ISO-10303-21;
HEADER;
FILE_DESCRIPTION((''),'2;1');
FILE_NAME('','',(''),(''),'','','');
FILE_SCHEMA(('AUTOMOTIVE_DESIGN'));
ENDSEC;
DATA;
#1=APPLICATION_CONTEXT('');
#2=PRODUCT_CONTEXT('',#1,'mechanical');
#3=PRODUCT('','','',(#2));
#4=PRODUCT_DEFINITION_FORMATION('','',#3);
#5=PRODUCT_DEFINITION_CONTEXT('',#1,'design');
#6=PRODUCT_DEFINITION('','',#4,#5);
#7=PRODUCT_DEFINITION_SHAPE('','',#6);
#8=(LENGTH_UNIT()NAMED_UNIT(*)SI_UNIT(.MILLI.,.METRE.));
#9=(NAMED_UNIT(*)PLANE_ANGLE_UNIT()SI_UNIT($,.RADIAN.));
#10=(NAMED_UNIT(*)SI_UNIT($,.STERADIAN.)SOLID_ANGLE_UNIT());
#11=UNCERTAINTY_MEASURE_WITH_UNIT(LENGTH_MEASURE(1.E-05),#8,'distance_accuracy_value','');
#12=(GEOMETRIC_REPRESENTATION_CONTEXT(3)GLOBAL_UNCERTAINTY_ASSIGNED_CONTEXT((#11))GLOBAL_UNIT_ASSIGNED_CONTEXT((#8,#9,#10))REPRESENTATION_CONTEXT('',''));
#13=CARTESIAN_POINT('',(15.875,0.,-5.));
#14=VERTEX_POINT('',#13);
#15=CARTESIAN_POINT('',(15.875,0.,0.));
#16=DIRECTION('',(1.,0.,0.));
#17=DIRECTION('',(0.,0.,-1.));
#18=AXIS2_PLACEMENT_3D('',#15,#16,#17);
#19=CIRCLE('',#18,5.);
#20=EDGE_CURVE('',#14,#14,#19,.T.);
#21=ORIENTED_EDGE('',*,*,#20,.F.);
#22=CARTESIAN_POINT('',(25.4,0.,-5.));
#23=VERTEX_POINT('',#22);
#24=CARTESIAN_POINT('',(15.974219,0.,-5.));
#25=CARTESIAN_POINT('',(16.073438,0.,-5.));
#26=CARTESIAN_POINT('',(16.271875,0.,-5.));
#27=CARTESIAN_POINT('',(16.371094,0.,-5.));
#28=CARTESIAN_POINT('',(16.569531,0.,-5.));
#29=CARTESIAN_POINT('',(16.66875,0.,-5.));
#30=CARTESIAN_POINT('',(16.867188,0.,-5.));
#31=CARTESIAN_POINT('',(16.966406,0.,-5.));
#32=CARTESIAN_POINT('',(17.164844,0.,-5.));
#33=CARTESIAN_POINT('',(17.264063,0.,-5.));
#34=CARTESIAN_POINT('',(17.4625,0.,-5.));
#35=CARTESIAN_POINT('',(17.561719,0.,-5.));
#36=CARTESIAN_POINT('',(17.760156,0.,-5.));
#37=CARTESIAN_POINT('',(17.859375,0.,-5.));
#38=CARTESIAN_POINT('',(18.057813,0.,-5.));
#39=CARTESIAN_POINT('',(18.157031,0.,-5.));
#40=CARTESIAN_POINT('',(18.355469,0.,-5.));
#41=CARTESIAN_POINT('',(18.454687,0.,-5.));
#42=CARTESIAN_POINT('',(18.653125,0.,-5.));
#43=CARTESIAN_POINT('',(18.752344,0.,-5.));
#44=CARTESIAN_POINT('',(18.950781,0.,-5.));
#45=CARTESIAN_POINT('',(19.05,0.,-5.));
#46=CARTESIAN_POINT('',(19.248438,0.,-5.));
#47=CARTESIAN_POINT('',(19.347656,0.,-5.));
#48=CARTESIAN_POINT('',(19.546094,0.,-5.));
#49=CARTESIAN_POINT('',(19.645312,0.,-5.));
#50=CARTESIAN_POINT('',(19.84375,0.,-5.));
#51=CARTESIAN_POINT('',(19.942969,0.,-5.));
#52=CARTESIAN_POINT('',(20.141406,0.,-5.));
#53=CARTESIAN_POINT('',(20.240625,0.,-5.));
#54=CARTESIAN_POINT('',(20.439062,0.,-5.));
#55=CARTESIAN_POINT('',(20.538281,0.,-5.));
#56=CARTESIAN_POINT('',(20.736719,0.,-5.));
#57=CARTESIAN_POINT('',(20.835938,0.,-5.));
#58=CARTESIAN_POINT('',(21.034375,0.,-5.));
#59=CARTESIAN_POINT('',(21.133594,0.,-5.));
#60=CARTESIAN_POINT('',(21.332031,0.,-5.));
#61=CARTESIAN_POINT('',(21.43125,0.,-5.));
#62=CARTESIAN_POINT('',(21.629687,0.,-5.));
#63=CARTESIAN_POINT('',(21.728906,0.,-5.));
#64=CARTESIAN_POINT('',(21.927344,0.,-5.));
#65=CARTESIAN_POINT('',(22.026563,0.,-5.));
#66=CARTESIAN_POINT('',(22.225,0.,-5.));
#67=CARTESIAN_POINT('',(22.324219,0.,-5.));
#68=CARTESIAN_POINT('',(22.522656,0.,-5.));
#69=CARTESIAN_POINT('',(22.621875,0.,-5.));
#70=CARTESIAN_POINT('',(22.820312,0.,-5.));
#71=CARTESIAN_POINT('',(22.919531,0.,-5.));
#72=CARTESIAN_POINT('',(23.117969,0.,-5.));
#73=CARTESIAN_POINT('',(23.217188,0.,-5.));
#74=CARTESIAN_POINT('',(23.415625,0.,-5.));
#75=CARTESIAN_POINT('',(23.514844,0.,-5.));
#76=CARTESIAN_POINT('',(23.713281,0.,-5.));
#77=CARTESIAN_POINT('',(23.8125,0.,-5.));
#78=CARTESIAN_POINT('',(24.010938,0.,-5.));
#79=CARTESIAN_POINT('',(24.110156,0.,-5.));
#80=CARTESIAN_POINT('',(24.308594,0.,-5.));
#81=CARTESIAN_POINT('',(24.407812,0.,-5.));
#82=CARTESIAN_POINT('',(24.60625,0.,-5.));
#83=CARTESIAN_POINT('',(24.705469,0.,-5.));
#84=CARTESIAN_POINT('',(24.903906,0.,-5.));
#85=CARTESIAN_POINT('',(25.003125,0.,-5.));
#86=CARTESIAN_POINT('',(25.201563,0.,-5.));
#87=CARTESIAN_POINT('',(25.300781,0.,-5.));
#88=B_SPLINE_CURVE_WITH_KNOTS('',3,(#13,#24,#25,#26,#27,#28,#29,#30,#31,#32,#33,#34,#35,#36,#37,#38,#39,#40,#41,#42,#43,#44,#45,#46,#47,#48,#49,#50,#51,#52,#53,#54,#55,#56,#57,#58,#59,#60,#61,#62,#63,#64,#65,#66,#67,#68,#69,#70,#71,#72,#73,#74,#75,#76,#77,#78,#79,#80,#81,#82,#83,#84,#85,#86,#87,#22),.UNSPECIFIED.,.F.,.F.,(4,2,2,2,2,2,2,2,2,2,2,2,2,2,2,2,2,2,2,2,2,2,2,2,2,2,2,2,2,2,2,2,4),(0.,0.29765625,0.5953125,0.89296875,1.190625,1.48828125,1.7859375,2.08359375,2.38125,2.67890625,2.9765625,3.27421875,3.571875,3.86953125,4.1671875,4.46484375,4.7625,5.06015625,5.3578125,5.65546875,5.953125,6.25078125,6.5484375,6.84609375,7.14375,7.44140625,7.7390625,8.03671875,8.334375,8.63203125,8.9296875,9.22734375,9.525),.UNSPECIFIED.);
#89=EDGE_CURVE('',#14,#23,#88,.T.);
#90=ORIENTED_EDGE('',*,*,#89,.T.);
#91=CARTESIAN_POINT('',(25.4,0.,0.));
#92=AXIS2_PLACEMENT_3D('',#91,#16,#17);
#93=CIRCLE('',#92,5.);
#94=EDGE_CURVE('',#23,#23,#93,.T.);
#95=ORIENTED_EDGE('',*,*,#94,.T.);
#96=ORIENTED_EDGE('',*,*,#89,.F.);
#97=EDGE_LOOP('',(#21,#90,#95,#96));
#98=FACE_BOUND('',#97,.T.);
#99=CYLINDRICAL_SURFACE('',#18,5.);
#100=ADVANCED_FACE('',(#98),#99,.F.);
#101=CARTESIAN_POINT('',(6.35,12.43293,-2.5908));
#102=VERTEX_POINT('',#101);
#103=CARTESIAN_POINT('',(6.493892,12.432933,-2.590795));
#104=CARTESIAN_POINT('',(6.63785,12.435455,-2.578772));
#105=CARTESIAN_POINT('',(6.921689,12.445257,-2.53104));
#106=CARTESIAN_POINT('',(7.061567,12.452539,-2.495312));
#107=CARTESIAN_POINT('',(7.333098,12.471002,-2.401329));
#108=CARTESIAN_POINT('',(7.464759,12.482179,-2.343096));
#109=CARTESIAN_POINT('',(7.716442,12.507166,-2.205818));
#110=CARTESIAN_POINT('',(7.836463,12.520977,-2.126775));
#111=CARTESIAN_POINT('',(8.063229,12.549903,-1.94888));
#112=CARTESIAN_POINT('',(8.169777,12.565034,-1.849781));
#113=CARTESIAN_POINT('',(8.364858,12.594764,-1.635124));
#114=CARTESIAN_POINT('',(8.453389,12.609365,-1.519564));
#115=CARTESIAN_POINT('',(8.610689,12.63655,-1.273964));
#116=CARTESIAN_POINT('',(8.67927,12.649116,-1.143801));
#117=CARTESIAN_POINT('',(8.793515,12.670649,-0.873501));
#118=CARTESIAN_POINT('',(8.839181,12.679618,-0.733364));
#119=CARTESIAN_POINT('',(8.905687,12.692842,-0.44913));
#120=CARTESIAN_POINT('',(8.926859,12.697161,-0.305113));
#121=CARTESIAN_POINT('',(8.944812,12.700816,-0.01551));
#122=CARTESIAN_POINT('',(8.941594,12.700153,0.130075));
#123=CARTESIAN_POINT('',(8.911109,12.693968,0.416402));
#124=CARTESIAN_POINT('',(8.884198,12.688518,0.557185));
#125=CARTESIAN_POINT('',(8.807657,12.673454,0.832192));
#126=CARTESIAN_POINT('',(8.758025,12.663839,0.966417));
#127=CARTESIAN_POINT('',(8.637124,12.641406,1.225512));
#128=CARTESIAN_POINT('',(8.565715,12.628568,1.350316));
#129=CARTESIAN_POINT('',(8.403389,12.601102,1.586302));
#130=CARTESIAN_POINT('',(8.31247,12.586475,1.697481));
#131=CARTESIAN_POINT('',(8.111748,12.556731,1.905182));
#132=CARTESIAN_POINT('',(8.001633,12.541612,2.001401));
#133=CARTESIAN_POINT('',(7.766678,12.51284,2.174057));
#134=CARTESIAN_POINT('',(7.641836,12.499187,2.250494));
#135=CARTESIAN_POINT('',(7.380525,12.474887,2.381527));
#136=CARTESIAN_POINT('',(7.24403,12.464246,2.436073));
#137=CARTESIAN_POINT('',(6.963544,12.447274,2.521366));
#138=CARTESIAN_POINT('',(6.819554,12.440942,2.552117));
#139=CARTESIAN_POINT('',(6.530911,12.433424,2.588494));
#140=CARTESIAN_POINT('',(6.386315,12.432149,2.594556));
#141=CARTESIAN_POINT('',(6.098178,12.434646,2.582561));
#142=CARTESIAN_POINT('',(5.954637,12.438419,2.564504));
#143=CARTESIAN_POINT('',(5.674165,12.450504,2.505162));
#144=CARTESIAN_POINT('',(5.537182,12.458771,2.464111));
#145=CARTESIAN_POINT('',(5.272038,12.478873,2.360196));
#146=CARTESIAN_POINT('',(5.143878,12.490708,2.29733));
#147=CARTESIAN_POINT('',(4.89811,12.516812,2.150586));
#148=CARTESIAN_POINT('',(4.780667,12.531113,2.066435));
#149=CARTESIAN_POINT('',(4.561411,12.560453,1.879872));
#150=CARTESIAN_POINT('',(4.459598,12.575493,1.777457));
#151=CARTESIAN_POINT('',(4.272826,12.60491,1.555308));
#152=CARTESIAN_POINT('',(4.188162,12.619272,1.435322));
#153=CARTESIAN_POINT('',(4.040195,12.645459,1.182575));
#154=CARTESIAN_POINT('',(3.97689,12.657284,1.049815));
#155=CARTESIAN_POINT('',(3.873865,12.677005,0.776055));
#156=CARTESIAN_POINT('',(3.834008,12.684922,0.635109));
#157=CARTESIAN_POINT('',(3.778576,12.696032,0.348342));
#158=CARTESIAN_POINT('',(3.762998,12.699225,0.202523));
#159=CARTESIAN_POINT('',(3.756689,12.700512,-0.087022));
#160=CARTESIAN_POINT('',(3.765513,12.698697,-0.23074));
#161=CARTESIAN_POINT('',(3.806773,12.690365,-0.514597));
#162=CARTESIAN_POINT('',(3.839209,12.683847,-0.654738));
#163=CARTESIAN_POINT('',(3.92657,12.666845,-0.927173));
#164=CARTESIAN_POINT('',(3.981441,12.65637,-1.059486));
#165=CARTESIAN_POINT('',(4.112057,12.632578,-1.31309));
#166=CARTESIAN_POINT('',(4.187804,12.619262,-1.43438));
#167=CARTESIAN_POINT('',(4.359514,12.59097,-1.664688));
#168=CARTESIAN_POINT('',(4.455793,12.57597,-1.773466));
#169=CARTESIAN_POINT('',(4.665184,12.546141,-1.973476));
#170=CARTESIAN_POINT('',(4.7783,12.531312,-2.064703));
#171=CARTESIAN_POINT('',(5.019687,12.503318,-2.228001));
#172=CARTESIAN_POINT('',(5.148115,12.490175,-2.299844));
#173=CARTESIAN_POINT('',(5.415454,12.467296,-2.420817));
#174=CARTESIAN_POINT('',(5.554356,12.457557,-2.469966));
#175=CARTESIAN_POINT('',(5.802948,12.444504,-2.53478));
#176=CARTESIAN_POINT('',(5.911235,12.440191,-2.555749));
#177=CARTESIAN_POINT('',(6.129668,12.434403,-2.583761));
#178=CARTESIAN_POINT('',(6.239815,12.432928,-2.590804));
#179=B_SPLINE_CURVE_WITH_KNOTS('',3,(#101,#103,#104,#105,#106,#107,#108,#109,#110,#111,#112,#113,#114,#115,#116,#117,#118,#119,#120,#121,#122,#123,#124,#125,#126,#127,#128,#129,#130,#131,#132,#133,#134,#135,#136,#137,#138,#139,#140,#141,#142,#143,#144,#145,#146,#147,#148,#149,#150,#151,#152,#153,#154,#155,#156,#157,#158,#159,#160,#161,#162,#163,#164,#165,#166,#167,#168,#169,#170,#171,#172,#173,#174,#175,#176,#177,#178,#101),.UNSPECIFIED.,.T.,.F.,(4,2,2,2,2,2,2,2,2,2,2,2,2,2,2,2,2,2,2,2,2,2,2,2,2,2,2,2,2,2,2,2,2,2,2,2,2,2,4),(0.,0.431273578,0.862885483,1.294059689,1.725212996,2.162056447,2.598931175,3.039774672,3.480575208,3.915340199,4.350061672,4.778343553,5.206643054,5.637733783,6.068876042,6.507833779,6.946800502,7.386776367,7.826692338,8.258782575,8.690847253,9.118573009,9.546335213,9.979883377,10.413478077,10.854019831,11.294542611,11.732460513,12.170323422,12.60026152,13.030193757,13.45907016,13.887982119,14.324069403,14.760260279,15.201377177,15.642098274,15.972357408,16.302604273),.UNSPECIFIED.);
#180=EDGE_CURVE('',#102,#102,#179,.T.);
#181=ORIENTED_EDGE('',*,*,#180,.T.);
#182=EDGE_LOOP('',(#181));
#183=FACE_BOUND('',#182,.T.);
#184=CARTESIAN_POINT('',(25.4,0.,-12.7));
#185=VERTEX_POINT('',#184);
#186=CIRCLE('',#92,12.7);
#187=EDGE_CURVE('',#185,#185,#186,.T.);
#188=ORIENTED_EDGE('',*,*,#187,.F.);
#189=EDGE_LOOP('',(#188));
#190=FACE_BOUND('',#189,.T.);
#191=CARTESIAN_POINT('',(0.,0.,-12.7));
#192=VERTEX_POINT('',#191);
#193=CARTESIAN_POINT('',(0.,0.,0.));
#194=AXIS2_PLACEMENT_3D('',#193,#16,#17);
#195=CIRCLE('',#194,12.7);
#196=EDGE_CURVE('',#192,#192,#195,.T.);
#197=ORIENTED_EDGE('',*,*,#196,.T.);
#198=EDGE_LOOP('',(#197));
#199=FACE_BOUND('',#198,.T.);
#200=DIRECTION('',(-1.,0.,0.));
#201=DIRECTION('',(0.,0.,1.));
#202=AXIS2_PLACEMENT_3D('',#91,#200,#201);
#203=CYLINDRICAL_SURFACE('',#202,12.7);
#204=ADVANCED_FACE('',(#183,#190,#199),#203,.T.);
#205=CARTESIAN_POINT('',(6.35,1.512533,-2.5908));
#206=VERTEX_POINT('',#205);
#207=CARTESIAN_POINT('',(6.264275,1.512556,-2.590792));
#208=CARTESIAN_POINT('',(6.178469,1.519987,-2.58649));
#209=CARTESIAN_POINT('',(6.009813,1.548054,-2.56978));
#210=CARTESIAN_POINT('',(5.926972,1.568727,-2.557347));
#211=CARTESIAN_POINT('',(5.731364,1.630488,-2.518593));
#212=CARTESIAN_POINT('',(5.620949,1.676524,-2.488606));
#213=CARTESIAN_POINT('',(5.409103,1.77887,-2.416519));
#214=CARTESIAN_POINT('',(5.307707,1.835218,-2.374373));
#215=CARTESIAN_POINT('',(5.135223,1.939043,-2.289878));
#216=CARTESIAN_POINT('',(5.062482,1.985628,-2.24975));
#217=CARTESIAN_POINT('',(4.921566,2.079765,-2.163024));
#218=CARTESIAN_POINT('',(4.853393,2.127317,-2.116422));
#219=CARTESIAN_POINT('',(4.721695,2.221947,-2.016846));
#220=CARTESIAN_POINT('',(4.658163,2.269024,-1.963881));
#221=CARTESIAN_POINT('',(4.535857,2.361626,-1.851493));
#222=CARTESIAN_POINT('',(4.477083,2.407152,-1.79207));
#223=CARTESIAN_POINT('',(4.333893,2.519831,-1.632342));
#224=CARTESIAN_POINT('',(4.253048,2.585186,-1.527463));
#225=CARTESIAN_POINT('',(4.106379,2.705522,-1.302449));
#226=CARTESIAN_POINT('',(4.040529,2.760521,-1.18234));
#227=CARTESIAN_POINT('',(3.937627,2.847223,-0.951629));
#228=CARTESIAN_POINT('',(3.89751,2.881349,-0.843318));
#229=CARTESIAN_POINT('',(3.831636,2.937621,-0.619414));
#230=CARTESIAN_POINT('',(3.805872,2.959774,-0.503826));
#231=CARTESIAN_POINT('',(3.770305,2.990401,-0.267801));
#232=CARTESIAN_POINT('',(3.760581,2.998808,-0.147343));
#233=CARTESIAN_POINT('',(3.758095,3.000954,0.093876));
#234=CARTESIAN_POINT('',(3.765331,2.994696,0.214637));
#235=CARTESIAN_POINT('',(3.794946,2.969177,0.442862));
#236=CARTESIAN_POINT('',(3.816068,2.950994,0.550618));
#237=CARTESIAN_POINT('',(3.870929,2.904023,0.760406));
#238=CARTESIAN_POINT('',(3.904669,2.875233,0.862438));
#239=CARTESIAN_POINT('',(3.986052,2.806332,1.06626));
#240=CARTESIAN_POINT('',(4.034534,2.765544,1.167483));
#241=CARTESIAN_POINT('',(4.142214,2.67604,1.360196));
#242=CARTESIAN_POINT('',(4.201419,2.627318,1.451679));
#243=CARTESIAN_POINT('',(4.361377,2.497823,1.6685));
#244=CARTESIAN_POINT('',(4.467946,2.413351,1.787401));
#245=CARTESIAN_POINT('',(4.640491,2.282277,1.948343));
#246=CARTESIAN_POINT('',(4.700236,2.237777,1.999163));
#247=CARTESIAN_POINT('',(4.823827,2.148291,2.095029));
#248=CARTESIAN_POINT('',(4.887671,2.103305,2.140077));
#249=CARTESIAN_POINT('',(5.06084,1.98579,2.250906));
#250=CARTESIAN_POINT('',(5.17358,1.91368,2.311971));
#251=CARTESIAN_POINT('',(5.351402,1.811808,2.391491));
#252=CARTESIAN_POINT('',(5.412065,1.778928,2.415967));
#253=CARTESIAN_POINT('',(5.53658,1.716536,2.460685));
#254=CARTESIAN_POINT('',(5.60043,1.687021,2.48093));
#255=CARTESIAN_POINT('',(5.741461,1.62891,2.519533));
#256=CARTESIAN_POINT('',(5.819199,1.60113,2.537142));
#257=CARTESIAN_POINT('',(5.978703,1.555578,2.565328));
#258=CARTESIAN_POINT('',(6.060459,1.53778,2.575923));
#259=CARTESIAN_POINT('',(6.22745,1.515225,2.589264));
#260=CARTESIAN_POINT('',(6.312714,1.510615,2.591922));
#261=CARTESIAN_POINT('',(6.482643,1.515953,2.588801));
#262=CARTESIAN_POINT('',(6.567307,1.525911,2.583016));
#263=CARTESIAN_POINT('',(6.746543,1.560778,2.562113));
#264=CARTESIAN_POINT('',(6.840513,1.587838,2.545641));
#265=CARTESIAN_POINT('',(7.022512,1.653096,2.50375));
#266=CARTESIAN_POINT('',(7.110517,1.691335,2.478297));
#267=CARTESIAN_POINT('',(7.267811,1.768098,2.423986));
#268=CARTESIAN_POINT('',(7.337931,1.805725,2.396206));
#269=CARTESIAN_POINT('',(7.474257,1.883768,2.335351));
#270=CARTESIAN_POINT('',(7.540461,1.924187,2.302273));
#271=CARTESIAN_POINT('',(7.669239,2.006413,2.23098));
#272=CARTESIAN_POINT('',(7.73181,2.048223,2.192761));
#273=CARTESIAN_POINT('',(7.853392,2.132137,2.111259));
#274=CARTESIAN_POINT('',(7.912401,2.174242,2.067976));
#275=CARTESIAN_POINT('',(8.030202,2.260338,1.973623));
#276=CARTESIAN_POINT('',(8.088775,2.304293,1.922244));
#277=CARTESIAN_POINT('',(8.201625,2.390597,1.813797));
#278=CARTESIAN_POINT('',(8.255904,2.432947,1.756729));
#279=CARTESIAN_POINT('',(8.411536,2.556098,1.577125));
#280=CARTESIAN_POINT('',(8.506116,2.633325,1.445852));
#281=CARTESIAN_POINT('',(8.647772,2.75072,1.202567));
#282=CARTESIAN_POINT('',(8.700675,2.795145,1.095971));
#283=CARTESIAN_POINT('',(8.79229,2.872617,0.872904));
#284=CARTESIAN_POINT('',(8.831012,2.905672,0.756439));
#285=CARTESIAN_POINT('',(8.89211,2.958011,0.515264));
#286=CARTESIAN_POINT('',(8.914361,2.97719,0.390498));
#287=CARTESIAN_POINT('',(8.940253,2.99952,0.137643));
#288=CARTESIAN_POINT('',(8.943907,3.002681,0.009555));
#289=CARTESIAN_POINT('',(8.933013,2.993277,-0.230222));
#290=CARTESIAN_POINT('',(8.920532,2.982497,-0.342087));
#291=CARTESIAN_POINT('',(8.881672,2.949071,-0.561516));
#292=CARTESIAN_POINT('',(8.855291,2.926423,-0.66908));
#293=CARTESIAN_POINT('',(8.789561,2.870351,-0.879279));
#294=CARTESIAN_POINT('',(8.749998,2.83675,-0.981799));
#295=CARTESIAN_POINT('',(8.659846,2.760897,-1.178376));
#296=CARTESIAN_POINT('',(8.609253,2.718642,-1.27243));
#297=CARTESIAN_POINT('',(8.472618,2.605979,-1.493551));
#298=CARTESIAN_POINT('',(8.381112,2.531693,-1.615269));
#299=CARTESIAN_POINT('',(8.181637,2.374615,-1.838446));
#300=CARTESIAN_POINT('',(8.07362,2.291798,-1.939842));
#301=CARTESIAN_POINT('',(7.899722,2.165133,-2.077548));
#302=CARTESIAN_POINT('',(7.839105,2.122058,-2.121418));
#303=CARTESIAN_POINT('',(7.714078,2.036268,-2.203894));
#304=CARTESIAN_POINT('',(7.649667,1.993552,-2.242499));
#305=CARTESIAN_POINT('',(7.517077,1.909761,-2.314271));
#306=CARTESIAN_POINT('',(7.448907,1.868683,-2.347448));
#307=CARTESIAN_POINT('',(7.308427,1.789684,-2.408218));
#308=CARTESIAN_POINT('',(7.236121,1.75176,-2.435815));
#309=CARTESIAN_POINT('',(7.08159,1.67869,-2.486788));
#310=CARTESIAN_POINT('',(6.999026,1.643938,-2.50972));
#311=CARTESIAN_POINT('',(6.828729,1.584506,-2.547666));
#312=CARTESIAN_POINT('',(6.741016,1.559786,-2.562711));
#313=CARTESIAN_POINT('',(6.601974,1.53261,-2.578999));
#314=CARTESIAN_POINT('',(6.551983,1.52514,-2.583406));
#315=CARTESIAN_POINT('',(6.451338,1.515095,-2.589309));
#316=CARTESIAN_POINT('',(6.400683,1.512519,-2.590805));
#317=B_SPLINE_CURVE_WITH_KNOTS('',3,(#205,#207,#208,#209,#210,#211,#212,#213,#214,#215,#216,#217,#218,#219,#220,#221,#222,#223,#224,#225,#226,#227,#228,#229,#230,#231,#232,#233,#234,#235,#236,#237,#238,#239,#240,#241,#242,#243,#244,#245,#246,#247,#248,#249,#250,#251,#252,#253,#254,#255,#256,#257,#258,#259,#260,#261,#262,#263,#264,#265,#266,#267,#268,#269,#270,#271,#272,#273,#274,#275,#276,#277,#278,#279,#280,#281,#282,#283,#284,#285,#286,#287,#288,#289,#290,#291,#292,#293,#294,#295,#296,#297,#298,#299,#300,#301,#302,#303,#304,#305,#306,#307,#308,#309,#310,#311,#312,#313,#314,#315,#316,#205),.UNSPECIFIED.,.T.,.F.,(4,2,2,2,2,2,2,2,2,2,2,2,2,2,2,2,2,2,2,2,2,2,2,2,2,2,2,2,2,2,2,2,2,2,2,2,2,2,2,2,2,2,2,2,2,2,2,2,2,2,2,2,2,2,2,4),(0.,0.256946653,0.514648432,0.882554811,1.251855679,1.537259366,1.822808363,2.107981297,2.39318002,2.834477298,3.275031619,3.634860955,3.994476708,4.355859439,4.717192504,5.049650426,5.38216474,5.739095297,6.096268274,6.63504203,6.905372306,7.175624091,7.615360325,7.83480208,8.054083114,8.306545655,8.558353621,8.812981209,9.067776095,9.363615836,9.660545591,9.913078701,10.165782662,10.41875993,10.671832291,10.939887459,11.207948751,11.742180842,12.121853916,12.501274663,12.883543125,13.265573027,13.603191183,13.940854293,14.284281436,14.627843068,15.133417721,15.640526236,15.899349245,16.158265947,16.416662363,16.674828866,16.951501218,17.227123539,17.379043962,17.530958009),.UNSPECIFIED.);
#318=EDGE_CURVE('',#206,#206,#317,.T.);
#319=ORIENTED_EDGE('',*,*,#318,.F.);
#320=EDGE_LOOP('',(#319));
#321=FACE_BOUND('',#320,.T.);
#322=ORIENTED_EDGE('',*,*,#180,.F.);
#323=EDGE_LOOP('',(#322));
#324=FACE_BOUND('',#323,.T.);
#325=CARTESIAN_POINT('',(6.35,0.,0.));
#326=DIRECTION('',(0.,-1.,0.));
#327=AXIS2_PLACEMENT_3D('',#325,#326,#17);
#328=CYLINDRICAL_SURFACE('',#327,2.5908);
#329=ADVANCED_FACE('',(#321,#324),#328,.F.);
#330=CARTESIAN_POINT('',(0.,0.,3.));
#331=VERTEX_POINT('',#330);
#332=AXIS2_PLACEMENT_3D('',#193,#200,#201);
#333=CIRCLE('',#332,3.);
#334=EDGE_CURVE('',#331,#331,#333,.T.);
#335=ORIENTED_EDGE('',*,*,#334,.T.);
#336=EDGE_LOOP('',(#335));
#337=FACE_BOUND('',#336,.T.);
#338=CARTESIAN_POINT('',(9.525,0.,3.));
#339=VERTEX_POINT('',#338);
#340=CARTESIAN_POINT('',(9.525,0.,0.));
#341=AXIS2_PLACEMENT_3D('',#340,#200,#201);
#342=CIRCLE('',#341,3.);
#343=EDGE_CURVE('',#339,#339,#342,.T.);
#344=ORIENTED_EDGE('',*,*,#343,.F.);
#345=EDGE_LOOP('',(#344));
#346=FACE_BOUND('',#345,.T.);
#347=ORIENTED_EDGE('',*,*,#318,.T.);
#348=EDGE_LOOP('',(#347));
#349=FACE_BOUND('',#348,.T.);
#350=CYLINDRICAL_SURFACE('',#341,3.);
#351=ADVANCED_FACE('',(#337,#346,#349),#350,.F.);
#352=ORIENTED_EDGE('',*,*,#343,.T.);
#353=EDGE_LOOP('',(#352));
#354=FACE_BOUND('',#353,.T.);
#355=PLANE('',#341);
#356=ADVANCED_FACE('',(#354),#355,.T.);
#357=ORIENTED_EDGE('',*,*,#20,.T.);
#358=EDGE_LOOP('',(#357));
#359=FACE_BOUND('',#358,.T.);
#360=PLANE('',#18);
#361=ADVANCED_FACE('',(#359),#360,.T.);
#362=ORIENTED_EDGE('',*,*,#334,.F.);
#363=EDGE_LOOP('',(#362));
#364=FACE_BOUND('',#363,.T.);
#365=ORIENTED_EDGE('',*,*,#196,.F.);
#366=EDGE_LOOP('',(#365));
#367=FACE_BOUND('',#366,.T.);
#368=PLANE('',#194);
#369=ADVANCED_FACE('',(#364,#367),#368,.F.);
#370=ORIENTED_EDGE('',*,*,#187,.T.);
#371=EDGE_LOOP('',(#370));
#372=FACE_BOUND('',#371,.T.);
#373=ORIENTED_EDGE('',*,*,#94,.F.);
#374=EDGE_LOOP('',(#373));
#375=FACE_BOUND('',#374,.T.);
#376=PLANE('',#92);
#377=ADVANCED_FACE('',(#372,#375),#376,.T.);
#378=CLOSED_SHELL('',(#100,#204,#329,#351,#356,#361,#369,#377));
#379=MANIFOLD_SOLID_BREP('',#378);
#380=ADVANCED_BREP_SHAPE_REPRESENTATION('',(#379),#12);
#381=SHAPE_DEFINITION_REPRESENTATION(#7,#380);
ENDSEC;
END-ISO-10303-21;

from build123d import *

# Parameters (mm, degrees)
SKETCH1_R           = 12.7
BOSS_EXTRUDE1_DEPTH = 25.4
SKETCH2_R           = 3
CUT_EXTRUDE1_DEPTH  = 9.525
SKETCH3_R           = 5
CUT_EXTRUDE2_DEPTH  = 9.525


with BuildPart() as part:
    # Sketch1 → Boss-Extrude1 (new body)
    with BuildSketch(Plane(origin=(0, 0, 0), x_dir=(0, 0, -1), z_dir=(1, 0, 0))):
        Circle(SKETCH1_R)
    extrude(amount=BOSS_EXTRUDE1_DEPTH)

    # Sketch2 → Cut-Extrude1 (cut)
    with BuildSketch(Plane.ZY):
        Circle(SKETCH2_R)
    extrude(amount=-CUT_EXTRUDE1_DEPTH, mode=Mode.SUBTRACT)

    # Sketch7 → #6 (0.204) Diameter Hole1 (revolve, cut)
    with BuildSketch(Plane(origin=(6.35, 0, 0), x_dir=(0, 0, -1), z_dir=(1, 0, 0))):
        Polygon((0, 0), (0, 16.288709692), (2.5908, 14.732), (2.5908, 0), align=None)
    revolve(axis=Axis((6.35, -6.35, 0), (0, 1, 0)), mode=Mode.SUBTRACT)

    # Sketch3 → Cut-Extrude2 (cut)
    with BuildSketch(Plane(origin=(25.4, 0, 0), x_dir=(0, 0, -1), z_dir=(1, 0, 0))):
        Circle(SKETCH3_R)
    extrude(amount=-CUT_EXTRUDE2_DEPTH, mode=Mode.SUBTRACT)


solid = part.part
